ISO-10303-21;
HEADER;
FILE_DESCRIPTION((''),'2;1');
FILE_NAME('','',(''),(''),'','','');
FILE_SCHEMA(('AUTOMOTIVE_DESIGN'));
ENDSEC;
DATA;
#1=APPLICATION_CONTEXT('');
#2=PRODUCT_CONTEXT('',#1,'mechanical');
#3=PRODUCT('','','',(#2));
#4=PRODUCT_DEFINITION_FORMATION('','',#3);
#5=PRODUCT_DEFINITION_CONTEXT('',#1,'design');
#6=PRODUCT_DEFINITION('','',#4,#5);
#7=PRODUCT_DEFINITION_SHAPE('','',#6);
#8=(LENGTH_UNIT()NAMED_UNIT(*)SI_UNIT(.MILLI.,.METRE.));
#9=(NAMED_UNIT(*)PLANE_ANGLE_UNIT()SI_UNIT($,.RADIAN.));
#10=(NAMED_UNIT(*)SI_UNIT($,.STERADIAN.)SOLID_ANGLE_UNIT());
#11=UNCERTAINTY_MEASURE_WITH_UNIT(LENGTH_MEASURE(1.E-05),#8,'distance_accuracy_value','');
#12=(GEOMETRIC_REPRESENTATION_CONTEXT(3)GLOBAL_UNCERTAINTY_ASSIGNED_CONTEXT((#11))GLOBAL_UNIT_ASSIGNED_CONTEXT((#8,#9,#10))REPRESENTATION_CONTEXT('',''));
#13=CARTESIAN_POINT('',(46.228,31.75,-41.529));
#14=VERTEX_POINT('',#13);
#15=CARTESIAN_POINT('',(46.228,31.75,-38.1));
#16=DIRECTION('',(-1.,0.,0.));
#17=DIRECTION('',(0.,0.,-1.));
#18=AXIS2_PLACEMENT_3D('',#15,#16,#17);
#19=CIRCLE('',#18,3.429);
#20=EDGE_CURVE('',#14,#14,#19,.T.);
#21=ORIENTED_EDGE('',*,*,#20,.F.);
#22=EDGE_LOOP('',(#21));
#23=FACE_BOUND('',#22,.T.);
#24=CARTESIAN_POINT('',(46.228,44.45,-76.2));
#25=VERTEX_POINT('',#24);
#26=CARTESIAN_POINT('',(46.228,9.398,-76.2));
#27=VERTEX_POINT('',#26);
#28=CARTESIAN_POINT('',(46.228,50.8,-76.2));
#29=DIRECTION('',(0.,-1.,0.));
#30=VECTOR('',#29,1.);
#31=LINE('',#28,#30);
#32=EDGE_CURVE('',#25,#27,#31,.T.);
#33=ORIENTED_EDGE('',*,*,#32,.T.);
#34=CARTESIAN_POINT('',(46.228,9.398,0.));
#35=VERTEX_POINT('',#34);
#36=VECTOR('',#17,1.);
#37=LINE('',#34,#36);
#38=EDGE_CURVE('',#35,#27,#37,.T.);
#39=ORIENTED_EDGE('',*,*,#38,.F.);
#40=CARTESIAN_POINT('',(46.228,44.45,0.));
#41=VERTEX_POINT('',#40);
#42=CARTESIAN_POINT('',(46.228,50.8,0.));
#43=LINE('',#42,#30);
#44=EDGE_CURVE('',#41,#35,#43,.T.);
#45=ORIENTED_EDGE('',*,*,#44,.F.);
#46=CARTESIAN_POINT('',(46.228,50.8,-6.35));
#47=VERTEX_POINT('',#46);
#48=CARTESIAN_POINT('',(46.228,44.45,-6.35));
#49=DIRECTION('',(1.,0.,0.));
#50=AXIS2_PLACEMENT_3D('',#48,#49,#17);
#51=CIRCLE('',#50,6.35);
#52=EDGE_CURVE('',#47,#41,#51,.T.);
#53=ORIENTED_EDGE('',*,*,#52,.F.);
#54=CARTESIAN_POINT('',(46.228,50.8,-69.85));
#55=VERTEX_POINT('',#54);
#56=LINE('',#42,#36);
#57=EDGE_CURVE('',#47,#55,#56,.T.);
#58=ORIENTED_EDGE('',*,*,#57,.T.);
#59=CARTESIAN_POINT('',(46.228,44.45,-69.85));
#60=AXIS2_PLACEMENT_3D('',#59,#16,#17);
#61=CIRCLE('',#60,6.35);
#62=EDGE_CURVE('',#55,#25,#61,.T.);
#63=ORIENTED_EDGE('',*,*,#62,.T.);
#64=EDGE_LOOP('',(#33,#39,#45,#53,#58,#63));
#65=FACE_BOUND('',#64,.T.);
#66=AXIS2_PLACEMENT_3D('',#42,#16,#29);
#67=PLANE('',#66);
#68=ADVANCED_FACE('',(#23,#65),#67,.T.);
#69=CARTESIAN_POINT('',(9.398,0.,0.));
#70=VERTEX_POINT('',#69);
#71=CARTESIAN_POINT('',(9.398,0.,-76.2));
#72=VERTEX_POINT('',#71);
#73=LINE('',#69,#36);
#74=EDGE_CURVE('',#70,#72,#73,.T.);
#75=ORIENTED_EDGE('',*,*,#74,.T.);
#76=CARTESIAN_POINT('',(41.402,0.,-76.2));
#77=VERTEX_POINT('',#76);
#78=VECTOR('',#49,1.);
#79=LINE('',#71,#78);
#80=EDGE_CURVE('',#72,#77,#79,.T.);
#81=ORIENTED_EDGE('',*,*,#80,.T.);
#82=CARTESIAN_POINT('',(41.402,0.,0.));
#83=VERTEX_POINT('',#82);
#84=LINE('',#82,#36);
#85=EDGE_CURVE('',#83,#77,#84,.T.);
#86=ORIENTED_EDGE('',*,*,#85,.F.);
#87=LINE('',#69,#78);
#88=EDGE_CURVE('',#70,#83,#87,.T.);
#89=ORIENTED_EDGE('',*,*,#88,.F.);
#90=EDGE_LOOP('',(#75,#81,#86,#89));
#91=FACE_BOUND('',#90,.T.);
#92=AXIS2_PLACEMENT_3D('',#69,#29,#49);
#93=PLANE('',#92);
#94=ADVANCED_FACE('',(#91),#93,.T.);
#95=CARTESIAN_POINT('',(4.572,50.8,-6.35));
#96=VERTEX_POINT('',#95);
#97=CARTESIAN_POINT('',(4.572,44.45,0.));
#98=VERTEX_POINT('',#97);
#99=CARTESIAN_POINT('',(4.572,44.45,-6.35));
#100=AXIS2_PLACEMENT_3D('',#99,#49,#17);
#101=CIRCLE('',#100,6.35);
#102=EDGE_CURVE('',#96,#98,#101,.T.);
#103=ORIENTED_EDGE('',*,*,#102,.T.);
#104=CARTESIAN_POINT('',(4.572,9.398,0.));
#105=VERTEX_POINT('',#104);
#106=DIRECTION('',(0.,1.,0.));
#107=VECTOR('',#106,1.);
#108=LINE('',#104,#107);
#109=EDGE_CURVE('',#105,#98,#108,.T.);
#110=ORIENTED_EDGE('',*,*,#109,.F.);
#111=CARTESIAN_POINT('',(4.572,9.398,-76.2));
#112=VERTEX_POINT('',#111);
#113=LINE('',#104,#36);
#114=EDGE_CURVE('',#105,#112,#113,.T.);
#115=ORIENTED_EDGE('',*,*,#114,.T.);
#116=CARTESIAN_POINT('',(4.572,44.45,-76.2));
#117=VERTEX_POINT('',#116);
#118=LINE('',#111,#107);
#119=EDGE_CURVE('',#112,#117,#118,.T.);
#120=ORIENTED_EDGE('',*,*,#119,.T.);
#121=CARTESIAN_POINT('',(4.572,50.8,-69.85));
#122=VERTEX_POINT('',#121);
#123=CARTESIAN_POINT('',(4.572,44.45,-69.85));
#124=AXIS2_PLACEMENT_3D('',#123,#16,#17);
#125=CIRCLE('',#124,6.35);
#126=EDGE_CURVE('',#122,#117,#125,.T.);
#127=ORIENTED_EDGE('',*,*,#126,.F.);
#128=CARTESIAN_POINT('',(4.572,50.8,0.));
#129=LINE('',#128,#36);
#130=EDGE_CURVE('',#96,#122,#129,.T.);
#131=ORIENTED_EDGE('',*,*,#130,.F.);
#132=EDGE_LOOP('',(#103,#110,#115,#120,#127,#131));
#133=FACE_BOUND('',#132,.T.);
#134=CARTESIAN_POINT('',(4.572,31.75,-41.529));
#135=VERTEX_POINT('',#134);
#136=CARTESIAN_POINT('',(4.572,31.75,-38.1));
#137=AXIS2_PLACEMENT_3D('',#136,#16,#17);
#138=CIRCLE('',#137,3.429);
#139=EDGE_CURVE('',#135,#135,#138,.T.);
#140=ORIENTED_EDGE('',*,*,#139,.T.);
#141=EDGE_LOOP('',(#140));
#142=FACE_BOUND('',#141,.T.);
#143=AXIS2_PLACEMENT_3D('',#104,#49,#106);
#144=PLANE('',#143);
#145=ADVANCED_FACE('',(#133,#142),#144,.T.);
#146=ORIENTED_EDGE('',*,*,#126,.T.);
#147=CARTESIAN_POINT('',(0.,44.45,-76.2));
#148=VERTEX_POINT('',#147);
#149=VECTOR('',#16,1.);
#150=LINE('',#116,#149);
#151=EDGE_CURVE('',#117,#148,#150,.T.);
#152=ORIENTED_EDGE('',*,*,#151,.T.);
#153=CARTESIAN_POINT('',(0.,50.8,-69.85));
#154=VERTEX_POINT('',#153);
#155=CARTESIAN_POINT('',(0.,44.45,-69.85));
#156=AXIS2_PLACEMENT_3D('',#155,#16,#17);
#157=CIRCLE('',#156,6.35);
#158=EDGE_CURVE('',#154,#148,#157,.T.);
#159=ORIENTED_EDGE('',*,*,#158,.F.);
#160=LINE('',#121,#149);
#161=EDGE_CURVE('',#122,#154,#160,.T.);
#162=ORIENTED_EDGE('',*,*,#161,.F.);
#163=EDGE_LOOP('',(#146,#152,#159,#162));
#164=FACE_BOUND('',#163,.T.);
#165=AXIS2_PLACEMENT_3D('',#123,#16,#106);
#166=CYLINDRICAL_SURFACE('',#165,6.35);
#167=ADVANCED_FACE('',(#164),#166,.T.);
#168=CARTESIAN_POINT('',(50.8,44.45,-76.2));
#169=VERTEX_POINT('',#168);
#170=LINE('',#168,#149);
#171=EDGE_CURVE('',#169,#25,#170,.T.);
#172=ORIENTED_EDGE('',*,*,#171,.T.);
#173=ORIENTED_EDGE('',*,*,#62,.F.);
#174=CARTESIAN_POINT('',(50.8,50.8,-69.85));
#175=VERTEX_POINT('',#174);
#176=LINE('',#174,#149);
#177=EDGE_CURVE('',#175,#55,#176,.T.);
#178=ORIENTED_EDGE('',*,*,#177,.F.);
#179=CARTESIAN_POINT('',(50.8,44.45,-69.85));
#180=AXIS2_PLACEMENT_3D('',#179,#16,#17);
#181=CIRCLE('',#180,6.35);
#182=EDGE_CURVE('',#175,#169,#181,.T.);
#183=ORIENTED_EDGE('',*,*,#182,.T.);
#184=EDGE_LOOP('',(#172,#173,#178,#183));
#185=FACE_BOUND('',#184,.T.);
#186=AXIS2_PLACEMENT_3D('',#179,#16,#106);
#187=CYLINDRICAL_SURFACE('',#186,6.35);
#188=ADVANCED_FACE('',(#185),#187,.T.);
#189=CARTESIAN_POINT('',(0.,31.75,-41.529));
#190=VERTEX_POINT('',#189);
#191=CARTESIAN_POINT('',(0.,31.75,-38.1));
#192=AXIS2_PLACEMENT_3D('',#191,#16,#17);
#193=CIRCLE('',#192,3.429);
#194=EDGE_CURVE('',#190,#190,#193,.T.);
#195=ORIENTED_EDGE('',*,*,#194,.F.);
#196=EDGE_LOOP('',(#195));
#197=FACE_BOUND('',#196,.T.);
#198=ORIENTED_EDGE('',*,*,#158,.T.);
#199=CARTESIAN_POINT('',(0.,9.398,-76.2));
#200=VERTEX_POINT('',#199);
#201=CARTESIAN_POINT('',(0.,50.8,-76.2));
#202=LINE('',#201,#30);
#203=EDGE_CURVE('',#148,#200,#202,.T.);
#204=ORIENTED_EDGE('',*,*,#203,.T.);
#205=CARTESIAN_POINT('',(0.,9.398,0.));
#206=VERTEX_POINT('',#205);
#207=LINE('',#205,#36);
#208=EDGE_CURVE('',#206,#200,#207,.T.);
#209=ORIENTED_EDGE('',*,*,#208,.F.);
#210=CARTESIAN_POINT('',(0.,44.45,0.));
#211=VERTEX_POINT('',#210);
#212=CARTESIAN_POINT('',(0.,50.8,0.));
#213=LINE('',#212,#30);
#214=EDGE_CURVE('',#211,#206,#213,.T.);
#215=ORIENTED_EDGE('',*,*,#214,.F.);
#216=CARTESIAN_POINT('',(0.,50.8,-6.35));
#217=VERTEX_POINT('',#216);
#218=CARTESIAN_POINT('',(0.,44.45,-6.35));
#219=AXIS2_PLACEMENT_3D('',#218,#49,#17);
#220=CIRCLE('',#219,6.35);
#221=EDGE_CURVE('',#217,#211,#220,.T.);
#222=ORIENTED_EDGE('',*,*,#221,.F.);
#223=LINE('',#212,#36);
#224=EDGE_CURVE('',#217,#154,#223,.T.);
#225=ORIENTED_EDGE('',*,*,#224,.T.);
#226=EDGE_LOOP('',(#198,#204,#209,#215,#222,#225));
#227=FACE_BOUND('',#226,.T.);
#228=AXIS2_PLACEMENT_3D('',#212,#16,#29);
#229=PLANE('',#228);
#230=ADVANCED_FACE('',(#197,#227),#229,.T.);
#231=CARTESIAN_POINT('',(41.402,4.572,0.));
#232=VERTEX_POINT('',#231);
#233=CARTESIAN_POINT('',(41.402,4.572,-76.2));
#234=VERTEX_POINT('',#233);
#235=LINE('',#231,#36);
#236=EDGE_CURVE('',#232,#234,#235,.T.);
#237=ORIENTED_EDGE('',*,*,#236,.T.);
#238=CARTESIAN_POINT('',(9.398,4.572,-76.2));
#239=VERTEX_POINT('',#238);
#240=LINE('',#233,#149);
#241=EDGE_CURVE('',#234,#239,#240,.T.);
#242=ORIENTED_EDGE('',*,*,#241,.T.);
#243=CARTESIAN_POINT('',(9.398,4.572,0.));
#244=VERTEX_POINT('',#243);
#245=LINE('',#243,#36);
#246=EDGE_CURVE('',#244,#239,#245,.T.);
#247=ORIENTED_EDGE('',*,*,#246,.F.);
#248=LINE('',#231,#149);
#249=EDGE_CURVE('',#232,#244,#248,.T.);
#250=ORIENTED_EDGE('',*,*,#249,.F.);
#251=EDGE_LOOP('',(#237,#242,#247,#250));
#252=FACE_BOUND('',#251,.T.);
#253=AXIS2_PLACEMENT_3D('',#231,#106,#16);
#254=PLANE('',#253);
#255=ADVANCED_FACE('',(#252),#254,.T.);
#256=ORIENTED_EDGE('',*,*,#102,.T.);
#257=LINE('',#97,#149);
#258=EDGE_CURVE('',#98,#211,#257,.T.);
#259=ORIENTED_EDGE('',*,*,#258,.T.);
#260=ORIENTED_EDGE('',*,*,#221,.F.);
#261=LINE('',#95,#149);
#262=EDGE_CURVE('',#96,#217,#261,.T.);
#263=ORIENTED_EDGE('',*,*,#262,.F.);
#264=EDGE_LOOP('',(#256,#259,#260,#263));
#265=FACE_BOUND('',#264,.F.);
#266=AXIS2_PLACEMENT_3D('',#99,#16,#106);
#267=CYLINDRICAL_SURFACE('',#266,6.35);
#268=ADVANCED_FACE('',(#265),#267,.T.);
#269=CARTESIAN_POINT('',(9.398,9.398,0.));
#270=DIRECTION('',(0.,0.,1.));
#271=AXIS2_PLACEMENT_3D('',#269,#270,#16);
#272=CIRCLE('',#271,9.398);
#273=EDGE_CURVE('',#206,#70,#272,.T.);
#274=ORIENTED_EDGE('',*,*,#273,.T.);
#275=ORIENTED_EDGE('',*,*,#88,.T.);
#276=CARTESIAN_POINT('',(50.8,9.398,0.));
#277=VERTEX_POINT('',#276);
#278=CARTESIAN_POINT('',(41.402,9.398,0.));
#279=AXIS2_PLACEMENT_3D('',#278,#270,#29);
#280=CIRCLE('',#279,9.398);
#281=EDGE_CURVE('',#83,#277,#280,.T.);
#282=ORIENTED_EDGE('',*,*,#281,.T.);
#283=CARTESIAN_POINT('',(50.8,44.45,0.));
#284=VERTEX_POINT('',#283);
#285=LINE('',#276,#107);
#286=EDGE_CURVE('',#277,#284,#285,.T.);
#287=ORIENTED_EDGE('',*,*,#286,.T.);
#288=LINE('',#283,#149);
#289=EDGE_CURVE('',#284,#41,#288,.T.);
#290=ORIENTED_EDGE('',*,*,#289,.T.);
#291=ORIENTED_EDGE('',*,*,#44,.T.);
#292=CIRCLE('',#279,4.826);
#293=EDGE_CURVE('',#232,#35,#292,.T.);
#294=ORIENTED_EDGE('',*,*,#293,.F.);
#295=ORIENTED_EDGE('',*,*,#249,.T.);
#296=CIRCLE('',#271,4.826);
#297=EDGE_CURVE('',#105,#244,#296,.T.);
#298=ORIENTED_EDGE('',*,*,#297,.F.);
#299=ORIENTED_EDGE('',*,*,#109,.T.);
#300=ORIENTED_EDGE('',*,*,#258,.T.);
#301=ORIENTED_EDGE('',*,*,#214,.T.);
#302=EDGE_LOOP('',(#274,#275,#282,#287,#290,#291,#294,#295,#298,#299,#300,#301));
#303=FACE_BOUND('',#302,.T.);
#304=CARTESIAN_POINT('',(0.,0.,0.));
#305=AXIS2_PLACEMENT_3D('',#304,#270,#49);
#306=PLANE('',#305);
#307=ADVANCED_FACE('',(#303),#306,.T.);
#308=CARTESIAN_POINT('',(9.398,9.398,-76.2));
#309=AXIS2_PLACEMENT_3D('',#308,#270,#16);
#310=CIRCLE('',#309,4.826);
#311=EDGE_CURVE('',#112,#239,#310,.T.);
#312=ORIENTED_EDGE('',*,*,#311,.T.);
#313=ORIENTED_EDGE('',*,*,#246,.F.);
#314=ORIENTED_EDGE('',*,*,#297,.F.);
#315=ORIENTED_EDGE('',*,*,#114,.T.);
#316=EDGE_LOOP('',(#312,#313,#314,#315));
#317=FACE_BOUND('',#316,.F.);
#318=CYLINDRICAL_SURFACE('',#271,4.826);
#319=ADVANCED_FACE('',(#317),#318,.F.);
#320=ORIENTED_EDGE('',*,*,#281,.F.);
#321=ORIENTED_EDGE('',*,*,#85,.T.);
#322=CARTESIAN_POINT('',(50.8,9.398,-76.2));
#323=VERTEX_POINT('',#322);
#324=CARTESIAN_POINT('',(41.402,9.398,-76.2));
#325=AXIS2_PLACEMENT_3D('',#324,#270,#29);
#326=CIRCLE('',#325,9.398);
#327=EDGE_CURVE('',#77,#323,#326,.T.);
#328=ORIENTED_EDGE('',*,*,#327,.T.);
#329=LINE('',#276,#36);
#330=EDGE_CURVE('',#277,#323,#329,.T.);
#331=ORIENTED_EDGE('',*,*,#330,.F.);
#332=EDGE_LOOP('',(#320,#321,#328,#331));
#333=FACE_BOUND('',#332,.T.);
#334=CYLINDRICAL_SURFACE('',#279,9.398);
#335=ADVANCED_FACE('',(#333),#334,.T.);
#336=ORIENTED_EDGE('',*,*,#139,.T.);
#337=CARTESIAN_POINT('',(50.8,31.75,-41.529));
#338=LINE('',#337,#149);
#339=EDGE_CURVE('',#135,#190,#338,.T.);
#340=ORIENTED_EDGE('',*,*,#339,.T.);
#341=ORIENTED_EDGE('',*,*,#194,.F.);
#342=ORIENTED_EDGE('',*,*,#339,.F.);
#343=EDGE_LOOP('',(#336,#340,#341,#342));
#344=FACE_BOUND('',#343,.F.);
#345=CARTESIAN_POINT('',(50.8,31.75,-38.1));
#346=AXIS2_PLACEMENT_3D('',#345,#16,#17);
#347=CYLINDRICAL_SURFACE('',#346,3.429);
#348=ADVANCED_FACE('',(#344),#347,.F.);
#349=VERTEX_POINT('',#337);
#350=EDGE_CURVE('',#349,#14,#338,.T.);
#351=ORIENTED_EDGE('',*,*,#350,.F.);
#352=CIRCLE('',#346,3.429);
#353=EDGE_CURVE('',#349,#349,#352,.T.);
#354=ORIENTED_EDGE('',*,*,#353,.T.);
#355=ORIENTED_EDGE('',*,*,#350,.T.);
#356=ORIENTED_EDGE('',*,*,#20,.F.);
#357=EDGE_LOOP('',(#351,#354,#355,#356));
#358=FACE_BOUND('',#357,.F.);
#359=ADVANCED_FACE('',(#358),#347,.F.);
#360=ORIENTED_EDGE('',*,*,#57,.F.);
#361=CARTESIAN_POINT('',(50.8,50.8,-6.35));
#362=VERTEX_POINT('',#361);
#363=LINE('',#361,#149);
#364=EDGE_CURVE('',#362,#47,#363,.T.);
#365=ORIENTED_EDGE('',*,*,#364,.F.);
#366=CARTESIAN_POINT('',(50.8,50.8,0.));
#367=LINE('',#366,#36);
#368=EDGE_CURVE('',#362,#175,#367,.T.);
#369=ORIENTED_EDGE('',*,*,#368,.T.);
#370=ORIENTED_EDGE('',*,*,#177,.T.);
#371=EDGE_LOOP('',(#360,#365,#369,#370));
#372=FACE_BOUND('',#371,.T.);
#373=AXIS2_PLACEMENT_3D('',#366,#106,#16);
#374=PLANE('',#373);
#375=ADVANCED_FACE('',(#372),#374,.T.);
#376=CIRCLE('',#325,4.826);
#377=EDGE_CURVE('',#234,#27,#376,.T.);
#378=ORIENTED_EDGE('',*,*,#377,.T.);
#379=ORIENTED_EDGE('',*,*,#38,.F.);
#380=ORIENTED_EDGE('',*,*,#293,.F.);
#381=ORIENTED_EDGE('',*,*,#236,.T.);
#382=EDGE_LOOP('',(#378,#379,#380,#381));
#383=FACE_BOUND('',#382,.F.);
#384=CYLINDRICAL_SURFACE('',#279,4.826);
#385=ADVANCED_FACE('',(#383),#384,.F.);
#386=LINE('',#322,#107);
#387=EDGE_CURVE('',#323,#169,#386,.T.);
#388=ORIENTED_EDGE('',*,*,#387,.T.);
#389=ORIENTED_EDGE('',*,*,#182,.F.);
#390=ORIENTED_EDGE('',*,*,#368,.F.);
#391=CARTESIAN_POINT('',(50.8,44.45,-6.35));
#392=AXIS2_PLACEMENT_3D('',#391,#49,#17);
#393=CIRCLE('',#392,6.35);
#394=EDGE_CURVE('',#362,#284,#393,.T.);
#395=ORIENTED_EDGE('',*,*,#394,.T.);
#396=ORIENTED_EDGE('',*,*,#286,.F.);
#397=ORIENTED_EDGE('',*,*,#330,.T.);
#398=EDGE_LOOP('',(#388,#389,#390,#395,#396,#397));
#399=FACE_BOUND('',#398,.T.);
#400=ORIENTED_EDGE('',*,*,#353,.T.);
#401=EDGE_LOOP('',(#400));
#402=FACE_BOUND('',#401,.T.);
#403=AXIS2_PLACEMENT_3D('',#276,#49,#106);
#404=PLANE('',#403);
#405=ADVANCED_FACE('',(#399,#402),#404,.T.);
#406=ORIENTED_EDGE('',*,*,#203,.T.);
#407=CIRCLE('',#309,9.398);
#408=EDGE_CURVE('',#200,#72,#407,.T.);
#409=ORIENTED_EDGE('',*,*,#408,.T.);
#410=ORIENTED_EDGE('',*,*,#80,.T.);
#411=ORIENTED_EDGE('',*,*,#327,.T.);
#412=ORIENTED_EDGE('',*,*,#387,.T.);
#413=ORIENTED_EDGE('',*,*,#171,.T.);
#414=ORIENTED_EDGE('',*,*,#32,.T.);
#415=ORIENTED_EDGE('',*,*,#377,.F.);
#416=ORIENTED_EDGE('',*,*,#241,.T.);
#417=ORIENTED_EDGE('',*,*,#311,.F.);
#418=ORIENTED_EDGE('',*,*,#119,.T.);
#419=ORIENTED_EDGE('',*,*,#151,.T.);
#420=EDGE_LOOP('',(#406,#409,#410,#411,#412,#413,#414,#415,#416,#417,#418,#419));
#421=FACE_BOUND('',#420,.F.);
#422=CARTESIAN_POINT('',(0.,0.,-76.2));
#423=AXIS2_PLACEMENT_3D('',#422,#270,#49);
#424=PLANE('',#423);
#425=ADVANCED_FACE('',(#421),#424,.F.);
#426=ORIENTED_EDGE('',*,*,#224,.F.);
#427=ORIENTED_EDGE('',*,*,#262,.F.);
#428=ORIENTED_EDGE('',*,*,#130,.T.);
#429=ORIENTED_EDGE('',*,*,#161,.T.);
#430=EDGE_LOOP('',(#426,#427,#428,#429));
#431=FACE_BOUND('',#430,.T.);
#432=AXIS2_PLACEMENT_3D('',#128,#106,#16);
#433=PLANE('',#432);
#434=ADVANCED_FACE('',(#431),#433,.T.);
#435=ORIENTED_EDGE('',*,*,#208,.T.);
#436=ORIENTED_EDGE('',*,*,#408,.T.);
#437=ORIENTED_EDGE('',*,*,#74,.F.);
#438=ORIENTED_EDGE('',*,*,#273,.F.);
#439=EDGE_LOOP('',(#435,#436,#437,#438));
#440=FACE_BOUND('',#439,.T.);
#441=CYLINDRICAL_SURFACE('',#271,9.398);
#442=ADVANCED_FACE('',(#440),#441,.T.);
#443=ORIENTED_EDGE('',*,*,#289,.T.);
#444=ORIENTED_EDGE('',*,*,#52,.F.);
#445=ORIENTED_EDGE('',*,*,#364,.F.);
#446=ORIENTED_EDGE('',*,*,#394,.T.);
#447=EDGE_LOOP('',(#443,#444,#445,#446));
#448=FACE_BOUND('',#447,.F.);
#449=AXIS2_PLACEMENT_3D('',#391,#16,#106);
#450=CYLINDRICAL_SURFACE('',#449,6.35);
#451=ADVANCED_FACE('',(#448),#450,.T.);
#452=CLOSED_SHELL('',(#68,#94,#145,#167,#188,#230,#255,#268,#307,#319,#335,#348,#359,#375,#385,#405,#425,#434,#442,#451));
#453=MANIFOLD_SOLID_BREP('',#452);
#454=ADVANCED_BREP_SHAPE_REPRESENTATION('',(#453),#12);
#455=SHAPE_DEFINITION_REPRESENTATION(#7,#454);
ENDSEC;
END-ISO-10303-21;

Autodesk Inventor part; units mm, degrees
ref_plane "YZ Plane" through (0, 0, 0) normal (1, 0, 0) x (0, 1, 0)
ref_plane "XZ Plane" through (0, 0, 0) normal (0, 1, 0) x (-1, 0, 0)
ref_plane "XY Plane" through (0, 0, 0) normal (0, 0, 1) x (1, 0, 0)
sketch "Sketch1" plane through (0, 0, 0) normal (0, 0, 1) x (1, 0, 0)
  line L0 (9.398, 0) -> (41.402, 0)
  line L1 (50.8, 9.398) -> (50.8, 50.8)
  line L2 (50.8, 50.8) -> (46.228, 50.8)
  line L3 (46.228, 50.8) -> (46.228, 9.398)
  line L4 (41.402, 4.572) -> (9.398, 4.572)
  line L5 (4.572, 9.398) -> (4.572, 50.8)
  line L6 (4.572, 50.8) -> (0, 50.8)
  line L7 (0, 50.8) -> (0, 9.398)
  arc A0 (4.572, 9.398) -> (9.398, 4.572) centre (9.398, 9.398) ccw
  arc A1 (41.402, 4.572) -> (46.228, 9.398) centre (41.402, 9.398) ccw
  arc A2 (0, 9.398) -> (9.398, 0) centre (9.398, 9.398) ccw
  arc A3 (41.402, 0) -> (50.8, 9.398) centre (41.402, 9.398) ccw
  point P0 (0, 0)
  point P1 (50.8, 0)
  dimension "d0" = 50.8
  dimension "d1" = 50.8
  dimension "d2" = 4.572
  dimension "d3" = 4.572
  dimension "d4" = 4.572
  dimension "d5" = 4.826
  dimension "d6" = 9.398
extrude "Extrusion1" add sketch "Sketch1" against normal blind 76.2
fillet "Fillet1" radius 6.35 4 edges at (2.286, 50.8, 0) (48.514, 50.8, 0) (2.286, 50.8, -76.2) (48.514, 50.8, -76.2)
sketch "Sketch2" plane through (50.8, 9.398, 0) normal (1, 0, 0) x (0, 0, -1)
  line L0 (6.35, 41.402) -> (69.85, 41.402) projected
  line L1 (0, -9.398) -> (76.2, -9.398) projected
  point P0 (38.1, 22.352)
  point P1 (38.1, 41.402)
  dimension "d10" = 31.75
hole "Hole1" at (50.8, 31.75, -38.1) direction (-1, 0, 0) diameter 6.858 end through all
ref_plane "Work Plane1" through (25.4, 9.398, 0) normal (1, 0, 0) x (0, 0, -1)
ref_plane "Work Plane2" through (0, 0, -38.1) normal (0, 0, -1) x (-1, 0, 0)
equation "\"d3\" = d2"
equation "\"d4\" = d2"
properties part number "GE-13025-02" material "Steel"
